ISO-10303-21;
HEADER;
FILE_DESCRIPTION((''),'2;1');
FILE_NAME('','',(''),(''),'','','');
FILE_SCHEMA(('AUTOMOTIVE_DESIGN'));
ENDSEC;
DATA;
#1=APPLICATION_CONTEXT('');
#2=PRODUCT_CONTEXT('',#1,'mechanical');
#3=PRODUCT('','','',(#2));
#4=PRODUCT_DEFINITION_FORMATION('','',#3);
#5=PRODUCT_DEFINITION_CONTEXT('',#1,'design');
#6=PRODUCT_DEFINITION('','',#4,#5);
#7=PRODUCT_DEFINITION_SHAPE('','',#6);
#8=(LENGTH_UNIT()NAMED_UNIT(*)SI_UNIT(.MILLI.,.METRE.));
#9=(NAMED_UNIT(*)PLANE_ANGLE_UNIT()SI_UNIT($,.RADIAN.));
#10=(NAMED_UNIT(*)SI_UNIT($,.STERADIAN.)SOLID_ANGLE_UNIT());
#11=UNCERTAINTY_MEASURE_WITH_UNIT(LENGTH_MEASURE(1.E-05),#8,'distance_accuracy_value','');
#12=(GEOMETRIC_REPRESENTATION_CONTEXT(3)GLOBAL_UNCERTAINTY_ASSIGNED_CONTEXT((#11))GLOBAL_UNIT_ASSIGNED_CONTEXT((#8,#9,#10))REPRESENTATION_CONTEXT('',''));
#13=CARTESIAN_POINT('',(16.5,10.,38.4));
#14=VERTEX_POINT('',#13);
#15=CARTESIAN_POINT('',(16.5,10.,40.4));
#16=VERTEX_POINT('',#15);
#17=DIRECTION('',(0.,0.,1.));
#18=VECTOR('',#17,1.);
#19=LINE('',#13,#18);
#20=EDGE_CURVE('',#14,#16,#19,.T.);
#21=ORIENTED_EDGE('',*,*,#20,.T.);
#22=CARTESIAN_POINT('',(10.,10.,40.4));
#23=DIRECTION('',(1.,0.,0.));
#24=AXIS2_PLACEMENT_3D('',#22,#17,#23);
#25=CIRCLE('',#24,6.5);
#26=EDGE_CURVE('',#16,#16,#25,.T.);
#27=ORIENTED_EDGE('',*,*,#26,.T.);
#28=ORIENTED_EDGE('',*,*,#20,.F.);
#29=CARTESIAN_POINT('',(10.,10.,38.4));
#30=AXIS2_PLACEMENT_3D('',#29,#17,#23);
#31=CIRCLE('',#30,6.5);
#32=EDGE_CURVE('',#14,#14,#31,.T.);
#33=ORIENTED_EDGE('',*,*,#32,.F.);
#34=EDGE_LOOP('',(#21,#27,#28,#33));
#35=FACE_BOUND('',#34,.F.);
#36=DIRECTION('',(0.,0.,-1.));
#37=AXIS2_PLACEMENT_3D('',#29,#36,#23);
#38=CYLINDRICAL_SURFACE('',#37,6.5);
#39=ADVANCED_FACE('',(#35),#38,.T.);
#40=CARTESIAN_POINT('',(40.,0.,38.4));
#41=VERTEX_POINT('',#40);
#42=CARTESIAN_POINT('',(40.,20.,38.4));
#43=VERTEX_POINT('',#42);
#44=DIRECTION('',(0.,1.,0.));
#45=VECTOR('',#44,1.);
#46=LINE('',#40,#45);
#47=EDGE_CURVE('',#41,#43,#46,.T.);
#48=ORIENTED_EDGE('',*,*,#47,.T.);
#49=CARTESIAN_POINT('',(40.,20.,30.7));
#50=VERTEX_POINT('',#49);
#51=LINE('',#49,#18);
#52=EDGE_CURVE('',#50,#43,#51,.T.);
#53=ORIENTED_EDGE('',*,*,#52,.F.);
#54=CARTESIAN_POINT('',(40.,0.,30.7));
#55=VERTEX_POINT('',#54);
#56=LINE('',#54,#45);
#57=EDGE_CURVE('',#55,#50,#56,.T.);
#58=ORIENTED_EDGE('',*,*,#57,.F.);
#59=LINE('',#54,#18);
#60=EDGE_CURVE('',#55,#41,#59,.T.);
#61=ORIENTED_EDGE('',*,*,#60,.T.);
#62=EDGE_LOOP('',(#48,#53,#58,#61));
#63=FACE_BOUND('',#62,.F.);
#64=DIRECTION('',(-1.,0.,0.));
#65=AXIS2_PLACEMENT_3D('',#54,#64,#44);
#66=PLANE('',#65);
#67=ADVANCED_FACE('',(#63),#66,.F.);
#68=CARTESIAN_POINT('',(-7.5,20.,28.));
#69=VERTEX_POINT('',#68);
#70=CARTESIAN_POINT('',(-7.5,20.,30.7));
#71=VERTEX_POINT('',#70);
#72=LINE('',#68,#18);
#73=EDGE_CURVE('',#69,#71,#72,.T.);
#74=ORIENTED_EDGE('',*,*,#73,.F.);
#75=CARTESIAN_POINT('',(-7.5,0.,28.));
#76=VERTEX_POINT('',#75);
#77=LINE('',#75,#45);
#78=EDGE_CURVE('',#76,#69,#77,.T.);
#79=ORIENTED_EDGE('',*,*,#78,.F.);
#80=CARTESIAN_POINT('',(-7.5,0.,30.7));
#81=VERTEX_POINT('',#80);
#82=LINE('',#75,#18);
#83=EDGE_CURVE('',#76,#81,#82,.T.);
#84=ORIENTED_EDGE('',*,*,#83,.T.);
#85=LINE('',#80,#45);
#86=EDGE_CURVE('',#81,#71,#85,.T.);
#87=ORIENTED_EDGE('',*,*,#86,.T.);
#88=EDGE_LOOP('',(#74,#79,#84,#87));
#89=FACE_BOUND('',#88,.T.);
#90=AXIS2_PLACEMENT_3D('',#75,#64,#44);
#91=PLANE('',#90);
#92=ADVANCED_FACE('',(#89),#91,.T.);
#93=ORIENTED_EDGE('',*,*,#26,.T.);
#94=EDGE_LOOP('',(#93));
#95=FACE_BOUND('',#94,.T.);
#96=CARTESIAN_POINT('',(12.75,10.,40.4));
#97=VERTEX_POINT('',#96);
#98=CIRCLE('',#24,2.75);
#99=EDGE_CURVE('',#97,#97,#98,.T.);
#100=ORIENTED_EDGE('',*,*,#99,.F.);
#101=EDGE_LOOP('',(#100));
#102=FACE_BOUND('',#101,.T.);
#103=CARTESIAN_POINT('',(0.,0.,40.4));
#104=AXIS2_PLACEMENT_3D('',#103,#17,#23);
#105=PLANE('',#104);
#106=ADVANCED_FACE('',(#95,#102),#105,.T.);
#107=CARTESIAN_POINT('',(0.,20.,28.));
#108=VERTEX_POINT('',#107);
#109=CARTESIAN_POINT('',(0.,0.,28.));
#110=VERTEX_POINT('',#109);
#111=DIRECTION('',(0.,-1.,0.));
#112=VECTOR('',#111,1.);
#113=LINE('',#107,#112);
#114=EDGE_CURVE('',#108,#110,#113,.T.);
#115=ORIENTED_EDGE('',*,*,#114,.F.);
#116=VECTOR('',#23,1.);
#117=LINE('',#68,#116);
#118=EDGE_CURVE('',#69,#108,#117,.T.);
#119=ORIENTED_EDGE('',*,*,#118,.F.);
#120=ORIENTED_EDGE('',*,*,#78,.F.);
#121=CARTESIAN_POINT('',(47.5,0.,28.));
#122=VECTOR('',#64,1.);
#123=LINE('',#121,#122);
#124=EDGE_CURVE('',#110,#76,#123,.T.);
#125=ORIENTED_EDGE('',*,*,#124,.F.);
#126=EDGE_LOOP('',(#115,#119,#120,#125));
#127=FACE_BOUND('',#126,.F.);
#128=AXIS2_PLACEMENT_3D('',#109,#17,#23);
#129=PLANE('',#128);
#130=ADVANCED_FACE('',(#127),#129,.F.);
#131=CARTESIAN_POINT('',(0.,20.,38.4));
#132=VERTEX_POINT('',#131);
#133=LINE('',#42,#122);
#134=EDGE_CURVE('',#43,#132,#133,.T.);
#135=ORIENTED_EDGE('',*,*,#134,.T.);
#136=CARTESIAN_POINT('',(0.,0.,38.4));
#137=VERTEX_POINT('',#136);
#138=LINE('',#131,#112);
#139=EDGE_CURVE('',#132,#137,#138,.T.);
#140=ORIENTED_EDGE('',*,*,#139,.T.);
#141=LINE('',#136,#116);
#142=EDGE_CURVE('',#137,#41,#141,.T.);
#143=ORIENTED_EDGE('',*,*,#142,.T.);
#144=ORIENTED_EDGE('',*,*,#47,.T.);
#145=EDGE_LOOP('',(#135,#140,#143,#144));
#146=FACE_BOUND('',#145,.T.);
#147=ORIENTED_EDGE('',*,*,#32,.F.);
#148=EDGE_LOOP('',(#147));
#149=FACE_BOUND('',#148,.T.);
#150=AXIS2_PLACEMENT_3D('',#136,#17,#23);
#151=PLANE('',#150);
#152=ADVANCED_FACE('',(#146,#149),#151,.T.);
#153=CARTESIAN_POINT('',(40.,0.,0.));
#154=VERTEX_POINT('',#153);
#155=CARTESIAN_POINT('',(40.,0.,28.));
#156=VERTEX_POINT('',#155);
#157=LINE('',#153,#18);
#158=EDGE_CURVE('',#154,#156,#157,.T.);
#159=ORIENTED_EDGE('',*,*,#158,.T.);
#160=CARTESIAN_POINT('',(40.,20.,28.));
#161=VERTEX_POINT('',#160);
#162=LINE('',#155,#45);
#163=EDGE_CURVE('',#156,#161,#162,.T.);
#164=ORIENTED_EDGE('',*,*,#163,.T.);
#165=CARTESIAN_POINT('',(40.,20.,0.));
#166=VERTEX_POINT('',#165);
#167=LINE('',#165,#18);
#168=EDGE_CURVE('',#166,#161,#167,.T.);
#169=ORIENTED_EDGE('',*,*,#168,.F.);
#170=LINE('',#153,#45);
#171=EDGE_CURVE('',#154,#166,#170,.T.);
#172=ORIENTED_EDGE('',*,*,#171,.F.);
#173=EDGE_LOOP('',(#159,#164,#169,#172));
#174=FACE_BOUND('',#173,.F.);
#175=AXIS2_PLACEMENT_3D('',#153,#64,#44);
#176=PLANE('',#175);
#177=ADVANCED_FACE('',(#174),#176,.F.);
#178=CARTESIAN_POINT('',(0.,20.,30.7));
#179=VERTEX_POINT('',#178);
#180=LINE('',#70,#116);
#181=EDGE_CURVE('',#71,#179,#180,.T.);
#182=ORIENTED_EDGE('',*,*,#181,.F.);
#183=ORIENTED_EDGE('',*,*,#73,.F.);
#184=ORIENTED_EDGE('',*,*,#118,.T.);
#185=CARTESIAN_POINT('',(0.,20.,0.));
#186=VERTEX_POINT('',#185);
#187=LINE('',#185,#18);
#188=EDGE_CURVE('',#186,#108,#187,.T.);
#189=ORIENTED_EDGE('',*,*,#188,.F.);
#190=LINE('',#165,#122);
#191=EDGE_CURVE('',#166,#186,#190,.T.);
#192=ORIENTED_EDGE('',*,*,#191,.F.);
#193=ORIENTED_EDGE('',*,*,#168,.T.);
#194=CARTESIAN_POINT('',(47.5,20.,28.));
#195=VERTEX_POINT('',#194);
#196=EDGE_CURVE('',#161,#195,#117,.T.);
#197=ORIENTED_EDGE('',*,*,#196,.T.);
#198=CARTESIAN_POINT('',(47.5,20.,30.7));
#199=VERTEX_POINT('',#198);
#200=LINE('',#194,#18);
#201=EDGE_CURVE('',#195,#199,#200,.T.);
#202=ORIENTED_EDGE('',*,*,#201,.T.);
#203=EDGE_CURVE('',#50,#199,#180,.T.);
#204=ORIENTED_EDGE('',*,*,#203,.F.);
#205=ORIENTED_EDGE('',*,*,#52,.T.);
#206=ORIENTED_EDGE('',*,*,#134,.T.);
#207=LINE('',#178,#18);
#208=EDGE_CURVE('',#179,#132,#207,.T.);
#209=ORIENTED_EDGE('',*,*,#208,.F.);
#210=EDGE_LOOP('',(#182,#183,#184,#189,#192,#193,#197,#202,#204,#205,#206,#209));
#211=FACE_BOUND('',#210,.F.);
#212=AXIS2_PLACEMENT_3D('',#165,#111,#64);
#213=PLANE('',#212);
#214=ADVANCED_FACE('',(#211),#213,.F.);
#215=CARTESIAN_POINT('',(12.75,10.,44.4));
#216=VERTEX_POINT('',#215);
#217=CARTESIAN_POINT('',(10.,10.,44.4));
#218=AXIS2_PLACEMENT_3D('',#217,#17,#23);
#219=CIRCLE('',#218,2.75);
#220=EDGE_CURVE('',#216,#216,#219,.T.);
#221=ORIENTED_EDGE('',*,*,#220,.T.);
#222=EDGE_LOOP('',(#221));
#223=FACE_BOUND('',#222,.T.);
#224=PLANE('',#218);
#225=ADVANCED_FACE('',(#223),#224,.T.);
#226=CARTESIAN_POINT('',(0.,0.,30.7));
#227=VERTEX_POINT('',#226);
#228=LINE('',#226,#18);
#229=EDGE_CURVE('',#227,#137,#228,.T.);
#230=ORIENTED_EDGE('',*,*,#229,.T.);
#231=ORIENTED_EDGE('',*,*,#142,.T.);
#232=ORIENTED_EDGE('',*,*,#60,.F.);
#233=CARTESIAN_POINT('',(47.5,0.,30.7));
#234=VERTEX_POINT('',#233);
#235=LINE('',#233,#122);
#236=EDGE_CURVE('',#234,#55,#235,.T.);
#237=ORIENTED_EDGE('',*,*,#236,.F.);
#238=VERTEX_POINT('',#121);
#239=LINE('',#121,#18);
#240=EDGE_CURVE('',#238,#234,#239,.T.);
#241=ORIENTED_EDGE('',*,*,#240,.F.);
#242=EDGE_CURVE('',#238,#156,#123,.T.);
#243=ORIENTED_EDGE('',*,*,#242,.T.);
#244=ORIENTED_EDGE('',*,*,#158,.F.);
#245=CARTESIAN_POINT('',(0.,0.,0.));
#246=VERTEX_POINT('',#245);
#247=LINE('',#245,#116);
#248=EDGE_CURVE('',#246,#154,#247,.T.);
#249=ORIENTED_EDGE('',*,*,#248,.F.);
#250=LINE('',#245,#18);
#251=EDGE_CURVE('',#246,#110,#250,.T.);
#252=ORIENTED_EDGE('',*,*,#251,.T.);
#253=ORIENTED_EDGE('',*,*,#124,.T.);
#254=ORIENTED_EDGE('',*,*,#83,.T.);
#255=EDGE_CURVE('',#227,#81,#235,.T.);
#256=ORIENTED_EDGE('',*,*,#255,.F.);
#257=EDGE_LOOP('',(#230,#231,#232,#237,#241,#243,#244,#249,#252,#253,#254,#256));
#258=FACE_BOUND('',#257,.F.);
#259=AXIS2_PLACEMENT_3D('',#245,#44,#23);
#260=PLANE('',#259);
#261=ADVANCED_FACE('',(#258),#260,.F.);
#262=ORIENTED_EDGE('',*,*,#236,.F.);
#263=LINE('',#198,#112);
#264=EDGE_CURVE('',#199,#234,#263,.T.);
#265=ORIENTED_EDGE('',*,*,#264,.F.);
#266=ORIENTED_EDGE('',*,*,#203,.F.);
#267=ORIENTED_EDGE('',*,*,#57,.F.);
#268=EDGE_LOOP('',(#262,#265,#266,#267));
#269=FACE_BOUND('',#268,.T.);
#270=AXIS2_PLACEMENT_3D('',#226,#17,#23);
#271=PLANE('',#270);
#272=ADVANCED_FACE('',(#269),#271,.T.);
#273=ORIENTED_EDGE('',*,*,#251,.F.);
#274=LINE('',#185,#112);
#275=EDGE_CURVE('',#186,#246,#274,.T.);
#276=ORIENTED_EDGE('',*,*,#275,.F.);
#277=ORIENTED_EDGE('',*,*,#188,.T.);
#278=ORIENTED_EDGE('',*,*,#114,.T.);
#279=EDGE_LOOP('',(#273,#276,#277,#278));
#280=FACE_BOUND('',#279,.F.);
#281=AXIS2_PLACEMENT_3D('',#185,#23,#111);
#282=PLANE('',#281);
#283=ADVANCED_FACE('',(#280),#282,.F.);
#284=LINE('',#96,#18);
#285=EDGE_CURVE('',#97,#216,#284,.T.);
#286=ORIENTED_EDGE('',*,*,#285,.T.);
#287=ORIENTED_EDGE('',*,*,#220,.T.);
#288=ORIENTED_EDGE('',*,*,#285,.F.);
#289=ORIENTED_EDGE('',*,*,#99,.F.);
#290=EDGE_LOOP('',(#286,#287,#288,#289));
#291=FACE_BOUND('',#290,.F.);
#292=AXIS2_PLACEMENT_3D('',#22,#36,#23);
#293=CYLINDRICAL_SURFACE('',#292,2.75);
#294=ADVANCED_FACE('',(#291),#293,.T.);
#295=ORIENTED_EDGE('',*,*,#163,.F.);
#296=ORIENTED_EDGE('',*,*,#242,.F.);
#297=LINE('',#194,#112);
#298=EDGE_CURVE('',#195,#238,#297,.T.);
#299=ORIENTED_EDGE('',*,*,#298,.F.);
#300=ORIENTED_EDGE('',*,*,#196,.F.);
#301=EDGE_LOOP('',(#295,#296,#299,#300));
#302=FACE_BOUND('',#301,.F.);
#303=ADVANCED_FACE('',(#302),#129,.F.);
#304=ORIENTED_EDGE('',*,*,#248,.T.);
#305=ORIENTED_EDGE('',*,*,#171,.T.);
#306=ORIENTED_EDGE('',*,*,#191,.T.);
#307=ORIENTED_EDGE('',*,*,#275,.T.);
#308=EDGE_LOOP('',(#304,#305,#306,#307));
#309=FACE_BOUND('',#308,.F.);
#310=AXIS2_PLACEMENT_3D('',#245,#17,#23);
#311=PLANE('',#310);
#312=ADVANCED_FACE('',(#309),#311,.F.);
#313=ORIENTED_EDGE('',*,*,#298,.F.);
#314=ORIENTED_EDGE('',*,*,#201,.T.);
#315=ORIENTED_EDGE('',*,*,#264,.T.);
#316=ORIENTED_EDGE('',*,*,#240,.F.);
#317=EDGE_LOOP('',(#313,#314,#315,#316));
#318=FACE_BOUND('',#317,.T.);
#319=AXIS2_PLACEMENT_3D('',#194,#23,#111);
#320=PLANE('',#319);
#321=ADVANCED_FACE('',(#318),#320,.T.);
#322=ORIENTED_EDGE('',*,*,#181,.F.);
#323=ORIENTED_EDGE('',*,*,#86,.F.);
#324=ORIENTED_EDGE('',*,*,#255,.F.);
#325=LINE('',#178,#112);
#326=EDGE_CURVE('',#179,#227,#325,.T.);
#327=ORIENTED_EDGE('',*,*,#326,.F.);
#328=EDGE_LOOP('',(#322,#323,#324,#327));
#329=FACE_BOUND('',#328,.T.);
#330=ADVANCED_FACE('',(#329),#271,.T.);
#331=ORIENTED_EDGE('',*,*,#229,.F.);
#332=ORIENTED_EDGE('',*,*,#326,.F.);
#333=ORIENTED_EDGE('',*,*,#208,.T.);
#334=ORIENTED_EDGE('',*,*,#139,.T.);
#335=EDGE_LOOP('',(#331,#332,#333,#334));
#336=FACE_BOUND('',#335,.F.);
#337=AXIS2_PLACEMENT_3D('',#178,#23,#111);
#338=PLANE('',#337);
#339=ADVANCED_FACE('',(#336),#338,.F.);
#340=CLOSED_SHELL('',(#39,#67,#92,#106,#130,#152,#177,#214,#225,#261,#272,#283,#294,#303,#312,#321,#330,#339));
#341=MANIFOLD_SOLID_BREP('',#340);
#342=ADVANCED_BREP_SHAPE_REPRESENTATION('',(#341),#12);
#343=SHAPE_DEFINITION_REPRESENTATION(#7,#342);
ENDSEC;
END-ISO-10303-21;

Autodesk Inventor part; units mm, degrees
ref_plane "YZ Plane" through (0, 0, 0) normal (1, 0, 0) x (0, 1, 0)
ref_plane "XZ Plane" through (0, 0, 0) normal (0, 1, 0) x (-1, 0, 0)
ref_plane "XY Plane" through (0, 0, 0) normal (0, 0, 1) x (1, 0, 0)
sketch "Boceto1" plane through (0, 0, 0) normal (0, 0, 1) x (1, 0, 0)
  line L0 (0, 0) -> (40, 0)
  line L1 (40, 0) -> (40, 20)
  line L2 (40, 20) -> (0, 20)
  line L3 (0, 20) -> (0, 0)
  dimension "d0" = 40
  dimension "d1" = 20
extrude "Extrusión1" add sketch "Boceto1" along normal blind 28
sketch "Boceto2" plane through (0, 0, 28) normal (0, 0, 1) x (1, 0, 0)
  line L0 (0, 0) -> (40, 0) projected
  line L1 (-7.5, 20) -> (47.5, 20)
  line L2 (47.5, 20) -> (47.5, 0)
  line L3 (47.5, 0) -> (-7.5, 0)
  line L4 (-7.5, 0) -> (-7.5, 20)
  point P0 (20, 0)
  point P1 (20, 0)
  dimension "d4" = 55
extrude "Extrusión2" add sketch "Boceto2" along normal blind 2.7
sketch "Boceto3" plane through (0, 0, 30.7) normal (0, 0, 1) x (1, 0, 0)
  line L0 (0, 0) -> (40, 0)
  line L1 (40, 0) -> (40, 20)
  line L2 (40, 20) -> (0, 20)
  line L3 (0, 20) -> (0, 0)
  dimension "d7" = 40
  dimension "d8" = 20
extrude "Extrusión3" add sketch "Boceto3" along normal blind 7.7
sketch "Boceto4" plane through (0, 0, 38.4) normal (0, 0, 1) x (1, 0, 0)
  line L0 (0, 20) -> (0, 0) projected
  circle A0 centre (10, 10) radius 6.5
  dimension "d11" = 13
  dimension "d12" = 10
extrude "Extrusión4" add sketch "Boceto4" along normal blind 2
sketch "Boceto5" plane through (10, 10, 40.4) normal (0, 0, 1) x (1, 0, 0)
  circle A0 centre (0, 0) radius 6.5 projected
  circle A1 centre (0, 0) radius 2.75
  point P0 (-10, -10)
  dimension "d15" = 5.5
extrude "Extrusión5" add sketch "Boceto5" along normal blind 4 contours A1
properties part number "Servo2"
